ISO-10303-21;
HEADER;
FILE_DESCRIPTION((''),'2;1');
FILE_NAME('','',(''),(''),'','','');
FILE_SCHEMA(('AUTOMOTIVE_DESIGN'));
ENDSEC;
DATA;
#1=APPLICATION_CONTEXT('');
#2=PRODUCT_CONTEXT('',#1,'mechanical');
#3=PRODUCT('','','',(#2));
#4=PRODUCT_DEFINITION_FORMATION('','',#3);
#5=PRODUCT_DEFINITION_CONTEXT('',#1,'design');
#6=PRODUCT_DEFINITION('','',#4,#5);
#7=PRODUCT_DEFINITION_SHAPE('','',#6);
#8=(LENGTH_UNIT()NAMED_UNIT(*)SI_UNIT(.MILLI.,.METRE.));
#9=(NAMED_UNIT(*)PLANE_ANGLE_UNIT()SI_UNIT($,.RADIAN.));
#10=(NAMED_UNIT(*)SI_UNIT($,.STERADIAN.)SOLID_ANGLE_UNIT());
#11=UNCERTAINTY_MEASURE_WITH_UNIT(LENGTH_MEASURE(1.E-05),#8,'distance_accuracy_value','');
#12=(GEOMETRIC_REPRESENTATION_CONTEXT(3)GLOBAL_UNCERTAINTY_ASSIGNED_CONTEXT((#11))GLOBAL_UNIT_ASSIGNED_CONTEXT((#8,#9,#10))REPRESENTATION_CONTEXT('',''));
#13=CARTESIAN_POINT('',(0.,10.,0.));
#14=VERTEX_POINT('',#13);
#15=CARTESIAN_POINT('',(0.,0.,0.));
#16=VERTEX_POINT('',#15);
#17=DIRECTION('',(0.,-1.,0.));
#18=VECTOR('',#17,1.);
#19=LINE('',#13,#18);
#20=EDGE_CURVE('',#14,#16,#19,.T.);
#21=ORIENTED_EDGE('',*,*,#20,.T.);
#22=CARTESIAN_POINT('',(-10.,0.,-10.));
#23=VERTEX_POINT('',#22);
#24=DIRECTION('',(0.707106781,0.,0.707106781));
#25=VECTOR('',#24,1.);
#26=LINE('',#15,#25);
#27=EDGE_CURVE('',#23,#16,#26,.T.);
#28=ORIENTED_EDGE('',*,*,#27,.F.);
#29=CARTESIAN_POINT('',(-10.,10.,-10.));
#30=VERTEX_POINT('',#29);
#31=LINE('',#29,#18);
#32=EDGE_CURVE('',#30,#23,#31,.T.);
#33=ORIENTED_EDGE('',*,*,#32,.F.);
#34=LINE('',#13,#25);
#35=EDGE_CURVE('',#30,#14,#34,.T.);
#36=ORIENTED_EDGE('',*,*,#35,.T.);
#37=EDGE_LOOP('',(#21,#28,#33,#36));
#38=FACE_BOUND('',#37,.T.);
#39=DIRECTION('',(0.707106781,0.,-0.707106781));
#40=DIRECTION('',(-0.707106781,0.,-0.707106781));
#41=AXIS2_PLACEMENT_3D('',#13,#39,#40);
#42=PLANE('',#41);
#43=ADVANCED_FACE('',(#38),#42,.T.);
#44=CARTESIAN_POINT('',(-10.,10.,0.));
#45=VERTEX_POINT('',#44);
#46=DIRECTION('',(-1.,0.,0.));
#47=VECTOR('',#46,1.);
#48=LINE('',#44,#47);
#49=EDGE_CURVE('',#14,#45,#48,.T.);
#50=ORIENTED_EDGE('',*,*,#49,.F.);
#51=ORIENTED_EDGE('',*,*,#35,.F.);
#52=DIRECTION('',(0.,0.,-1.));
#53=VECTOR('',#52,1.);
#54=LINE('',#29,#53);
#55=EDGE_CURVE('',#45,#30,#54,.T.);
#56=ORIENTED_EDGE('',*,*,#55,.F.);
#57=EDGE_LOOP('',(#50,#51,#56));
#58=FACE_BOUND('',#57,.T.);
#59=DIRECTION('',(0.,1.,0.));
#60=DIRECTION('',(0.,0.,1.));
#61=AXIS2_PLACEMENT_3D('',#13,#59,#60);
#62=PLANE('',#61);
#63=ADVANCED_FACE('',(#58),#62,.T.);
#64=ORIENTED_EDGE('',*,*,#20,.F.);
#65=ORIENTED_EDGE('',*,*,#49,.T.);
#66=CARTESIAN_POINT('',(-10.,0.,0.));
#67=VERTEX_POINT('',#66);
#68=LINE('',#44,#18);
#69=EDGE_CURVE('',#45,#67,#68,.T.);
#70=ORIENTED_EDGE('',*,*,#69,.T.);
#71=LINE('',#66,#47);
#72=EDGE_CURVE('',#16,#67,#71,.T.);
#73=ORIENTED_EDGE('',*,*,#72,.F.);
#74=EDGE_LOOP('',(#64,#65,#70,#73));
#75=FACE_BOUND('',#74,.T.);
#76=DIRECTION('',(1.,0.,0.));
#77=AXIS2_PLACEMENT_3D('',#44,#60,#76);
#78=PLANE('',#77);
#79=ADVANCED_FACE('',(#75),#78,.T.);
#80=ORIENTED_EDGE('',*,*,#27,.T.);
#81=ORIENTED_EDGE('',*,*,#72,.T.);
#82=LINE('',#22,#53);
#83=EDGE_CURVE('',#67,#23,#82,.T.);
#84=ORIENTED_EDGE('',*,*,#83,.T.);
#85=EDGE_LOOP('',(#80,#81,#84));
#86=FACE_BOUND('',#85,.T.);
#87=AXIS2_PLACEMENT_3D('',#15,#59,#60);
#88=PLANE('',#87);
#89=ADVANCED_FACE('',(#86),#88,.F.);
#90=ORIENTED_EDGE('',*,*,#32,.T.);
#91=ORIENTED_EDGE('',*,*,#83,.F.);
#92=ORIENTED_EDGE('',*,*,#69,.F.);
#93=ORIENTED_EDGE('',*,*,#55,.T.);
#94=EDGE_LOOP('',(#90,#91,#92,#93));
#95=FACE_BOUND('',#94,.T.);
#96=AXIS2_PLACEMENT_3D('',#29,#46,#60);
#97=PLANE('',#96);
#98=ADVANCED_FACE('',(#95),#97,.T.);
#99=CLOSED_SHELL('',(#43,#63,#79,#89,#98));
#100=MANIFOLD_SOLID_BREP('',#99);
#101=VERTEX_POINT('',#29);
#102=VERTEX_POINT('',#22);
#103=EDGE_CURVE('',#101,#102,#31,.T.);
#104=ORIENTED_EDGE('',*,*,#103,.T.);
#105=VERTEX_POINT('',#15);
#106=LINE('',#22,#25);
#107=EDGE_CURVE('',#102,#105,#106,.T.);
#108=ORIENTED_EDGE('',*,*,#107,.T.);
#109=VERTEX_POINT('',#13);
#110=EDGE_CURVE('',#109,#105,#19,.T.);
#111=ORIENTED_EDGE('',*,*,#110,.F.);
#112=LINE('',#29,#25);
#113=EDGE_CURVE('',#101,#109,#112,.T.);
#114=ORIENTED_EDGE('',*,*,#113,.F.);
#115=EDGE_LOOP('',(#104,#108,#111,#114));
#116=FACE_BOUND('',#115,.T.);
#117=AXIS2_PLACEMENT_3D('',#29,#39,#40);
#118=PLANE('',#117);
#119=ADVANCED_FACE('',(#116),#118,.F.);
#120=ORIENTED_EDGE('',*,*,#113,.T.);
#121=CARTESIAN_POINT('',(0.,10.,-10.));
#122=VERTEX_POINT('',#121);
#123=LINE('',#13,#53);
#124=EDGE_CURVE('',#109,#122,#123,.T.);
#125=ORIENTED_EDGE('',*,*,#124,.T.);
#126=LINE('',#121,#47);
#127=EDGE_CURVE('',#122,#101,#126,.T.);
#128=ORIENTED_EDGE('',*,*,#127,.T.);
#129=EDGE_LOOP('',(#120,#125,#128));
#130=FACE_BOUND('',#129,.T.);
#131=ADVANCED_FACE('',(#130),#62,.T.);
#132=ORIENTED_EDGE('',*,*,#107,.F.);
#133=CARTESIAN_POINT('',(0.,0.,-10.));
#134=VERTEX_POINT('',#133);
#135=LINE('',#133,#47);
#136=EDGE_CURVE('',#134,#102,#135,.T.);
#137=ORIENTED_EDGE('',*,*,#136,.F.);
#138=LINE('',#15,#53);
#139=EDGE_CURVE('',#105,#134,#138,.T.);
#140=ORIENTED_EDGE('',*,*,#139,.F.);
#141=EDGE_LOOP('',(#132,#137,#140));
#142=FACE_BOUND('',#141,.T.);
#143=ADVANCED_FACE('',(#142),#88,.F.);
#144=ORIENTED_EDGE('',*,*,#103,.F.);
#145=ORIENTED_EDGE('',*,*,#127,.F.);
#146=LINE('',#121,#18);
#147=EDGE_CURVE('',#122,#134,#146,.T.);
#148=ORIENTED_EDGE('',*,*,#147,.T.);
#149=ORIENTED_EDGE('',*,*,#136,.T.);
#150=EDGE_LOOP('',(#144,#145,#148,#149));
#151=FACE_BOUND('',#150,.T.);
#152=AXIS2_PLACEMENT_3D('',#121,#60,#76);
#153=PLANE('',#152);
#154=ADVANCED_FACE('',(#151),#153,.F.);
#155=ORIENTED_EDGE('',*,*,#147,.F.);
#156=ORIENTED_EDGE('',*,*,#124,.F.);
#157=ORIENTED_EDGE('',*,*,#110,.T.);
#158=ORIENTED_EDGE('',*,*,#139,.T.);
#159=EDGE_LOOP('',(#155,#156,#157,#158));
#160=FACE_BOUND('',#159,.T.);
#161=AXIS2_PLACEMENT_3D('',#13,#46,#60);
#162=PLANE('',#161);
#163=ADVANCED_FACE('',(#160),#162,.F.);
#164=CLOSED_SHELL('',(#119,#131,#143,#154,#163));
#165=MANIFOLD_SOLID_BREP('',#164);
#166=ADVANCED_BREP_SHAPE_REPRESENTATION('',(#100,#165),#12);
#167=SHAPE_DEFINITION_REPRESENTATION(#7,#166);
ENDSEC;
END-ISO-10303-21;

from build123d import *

# Parameters (mm, degrees)
EXTRUDE_1_DEPTH = 10
EXTRUDE_2_DEPTH = 10


with BuildPart() as part:
    # 草图1 → 凸台-拉伸1 (new body)
    with BuildSketch(Plane(origin=(0, 0, 0), x_dir=(1, 0, 0), z_dir=(0, 1, 0))):
        Polygon((0, 0), (0, 10), (-10, 10), align=None)
    extrude(amount=EXTRUDE_1_DEPTH)


with BuildPart() as body_2:
    # 草图2 → 凸台-拉伸2 (new body)
    with BuildSketch(Plane.XZ):
        Polygon((-10, -10), (-10, 0), (0, 0), align=None)
    extrude(amount=-EXTRUDE_2_DEPTH)


solid = Compound([part.part, body_2.part])
